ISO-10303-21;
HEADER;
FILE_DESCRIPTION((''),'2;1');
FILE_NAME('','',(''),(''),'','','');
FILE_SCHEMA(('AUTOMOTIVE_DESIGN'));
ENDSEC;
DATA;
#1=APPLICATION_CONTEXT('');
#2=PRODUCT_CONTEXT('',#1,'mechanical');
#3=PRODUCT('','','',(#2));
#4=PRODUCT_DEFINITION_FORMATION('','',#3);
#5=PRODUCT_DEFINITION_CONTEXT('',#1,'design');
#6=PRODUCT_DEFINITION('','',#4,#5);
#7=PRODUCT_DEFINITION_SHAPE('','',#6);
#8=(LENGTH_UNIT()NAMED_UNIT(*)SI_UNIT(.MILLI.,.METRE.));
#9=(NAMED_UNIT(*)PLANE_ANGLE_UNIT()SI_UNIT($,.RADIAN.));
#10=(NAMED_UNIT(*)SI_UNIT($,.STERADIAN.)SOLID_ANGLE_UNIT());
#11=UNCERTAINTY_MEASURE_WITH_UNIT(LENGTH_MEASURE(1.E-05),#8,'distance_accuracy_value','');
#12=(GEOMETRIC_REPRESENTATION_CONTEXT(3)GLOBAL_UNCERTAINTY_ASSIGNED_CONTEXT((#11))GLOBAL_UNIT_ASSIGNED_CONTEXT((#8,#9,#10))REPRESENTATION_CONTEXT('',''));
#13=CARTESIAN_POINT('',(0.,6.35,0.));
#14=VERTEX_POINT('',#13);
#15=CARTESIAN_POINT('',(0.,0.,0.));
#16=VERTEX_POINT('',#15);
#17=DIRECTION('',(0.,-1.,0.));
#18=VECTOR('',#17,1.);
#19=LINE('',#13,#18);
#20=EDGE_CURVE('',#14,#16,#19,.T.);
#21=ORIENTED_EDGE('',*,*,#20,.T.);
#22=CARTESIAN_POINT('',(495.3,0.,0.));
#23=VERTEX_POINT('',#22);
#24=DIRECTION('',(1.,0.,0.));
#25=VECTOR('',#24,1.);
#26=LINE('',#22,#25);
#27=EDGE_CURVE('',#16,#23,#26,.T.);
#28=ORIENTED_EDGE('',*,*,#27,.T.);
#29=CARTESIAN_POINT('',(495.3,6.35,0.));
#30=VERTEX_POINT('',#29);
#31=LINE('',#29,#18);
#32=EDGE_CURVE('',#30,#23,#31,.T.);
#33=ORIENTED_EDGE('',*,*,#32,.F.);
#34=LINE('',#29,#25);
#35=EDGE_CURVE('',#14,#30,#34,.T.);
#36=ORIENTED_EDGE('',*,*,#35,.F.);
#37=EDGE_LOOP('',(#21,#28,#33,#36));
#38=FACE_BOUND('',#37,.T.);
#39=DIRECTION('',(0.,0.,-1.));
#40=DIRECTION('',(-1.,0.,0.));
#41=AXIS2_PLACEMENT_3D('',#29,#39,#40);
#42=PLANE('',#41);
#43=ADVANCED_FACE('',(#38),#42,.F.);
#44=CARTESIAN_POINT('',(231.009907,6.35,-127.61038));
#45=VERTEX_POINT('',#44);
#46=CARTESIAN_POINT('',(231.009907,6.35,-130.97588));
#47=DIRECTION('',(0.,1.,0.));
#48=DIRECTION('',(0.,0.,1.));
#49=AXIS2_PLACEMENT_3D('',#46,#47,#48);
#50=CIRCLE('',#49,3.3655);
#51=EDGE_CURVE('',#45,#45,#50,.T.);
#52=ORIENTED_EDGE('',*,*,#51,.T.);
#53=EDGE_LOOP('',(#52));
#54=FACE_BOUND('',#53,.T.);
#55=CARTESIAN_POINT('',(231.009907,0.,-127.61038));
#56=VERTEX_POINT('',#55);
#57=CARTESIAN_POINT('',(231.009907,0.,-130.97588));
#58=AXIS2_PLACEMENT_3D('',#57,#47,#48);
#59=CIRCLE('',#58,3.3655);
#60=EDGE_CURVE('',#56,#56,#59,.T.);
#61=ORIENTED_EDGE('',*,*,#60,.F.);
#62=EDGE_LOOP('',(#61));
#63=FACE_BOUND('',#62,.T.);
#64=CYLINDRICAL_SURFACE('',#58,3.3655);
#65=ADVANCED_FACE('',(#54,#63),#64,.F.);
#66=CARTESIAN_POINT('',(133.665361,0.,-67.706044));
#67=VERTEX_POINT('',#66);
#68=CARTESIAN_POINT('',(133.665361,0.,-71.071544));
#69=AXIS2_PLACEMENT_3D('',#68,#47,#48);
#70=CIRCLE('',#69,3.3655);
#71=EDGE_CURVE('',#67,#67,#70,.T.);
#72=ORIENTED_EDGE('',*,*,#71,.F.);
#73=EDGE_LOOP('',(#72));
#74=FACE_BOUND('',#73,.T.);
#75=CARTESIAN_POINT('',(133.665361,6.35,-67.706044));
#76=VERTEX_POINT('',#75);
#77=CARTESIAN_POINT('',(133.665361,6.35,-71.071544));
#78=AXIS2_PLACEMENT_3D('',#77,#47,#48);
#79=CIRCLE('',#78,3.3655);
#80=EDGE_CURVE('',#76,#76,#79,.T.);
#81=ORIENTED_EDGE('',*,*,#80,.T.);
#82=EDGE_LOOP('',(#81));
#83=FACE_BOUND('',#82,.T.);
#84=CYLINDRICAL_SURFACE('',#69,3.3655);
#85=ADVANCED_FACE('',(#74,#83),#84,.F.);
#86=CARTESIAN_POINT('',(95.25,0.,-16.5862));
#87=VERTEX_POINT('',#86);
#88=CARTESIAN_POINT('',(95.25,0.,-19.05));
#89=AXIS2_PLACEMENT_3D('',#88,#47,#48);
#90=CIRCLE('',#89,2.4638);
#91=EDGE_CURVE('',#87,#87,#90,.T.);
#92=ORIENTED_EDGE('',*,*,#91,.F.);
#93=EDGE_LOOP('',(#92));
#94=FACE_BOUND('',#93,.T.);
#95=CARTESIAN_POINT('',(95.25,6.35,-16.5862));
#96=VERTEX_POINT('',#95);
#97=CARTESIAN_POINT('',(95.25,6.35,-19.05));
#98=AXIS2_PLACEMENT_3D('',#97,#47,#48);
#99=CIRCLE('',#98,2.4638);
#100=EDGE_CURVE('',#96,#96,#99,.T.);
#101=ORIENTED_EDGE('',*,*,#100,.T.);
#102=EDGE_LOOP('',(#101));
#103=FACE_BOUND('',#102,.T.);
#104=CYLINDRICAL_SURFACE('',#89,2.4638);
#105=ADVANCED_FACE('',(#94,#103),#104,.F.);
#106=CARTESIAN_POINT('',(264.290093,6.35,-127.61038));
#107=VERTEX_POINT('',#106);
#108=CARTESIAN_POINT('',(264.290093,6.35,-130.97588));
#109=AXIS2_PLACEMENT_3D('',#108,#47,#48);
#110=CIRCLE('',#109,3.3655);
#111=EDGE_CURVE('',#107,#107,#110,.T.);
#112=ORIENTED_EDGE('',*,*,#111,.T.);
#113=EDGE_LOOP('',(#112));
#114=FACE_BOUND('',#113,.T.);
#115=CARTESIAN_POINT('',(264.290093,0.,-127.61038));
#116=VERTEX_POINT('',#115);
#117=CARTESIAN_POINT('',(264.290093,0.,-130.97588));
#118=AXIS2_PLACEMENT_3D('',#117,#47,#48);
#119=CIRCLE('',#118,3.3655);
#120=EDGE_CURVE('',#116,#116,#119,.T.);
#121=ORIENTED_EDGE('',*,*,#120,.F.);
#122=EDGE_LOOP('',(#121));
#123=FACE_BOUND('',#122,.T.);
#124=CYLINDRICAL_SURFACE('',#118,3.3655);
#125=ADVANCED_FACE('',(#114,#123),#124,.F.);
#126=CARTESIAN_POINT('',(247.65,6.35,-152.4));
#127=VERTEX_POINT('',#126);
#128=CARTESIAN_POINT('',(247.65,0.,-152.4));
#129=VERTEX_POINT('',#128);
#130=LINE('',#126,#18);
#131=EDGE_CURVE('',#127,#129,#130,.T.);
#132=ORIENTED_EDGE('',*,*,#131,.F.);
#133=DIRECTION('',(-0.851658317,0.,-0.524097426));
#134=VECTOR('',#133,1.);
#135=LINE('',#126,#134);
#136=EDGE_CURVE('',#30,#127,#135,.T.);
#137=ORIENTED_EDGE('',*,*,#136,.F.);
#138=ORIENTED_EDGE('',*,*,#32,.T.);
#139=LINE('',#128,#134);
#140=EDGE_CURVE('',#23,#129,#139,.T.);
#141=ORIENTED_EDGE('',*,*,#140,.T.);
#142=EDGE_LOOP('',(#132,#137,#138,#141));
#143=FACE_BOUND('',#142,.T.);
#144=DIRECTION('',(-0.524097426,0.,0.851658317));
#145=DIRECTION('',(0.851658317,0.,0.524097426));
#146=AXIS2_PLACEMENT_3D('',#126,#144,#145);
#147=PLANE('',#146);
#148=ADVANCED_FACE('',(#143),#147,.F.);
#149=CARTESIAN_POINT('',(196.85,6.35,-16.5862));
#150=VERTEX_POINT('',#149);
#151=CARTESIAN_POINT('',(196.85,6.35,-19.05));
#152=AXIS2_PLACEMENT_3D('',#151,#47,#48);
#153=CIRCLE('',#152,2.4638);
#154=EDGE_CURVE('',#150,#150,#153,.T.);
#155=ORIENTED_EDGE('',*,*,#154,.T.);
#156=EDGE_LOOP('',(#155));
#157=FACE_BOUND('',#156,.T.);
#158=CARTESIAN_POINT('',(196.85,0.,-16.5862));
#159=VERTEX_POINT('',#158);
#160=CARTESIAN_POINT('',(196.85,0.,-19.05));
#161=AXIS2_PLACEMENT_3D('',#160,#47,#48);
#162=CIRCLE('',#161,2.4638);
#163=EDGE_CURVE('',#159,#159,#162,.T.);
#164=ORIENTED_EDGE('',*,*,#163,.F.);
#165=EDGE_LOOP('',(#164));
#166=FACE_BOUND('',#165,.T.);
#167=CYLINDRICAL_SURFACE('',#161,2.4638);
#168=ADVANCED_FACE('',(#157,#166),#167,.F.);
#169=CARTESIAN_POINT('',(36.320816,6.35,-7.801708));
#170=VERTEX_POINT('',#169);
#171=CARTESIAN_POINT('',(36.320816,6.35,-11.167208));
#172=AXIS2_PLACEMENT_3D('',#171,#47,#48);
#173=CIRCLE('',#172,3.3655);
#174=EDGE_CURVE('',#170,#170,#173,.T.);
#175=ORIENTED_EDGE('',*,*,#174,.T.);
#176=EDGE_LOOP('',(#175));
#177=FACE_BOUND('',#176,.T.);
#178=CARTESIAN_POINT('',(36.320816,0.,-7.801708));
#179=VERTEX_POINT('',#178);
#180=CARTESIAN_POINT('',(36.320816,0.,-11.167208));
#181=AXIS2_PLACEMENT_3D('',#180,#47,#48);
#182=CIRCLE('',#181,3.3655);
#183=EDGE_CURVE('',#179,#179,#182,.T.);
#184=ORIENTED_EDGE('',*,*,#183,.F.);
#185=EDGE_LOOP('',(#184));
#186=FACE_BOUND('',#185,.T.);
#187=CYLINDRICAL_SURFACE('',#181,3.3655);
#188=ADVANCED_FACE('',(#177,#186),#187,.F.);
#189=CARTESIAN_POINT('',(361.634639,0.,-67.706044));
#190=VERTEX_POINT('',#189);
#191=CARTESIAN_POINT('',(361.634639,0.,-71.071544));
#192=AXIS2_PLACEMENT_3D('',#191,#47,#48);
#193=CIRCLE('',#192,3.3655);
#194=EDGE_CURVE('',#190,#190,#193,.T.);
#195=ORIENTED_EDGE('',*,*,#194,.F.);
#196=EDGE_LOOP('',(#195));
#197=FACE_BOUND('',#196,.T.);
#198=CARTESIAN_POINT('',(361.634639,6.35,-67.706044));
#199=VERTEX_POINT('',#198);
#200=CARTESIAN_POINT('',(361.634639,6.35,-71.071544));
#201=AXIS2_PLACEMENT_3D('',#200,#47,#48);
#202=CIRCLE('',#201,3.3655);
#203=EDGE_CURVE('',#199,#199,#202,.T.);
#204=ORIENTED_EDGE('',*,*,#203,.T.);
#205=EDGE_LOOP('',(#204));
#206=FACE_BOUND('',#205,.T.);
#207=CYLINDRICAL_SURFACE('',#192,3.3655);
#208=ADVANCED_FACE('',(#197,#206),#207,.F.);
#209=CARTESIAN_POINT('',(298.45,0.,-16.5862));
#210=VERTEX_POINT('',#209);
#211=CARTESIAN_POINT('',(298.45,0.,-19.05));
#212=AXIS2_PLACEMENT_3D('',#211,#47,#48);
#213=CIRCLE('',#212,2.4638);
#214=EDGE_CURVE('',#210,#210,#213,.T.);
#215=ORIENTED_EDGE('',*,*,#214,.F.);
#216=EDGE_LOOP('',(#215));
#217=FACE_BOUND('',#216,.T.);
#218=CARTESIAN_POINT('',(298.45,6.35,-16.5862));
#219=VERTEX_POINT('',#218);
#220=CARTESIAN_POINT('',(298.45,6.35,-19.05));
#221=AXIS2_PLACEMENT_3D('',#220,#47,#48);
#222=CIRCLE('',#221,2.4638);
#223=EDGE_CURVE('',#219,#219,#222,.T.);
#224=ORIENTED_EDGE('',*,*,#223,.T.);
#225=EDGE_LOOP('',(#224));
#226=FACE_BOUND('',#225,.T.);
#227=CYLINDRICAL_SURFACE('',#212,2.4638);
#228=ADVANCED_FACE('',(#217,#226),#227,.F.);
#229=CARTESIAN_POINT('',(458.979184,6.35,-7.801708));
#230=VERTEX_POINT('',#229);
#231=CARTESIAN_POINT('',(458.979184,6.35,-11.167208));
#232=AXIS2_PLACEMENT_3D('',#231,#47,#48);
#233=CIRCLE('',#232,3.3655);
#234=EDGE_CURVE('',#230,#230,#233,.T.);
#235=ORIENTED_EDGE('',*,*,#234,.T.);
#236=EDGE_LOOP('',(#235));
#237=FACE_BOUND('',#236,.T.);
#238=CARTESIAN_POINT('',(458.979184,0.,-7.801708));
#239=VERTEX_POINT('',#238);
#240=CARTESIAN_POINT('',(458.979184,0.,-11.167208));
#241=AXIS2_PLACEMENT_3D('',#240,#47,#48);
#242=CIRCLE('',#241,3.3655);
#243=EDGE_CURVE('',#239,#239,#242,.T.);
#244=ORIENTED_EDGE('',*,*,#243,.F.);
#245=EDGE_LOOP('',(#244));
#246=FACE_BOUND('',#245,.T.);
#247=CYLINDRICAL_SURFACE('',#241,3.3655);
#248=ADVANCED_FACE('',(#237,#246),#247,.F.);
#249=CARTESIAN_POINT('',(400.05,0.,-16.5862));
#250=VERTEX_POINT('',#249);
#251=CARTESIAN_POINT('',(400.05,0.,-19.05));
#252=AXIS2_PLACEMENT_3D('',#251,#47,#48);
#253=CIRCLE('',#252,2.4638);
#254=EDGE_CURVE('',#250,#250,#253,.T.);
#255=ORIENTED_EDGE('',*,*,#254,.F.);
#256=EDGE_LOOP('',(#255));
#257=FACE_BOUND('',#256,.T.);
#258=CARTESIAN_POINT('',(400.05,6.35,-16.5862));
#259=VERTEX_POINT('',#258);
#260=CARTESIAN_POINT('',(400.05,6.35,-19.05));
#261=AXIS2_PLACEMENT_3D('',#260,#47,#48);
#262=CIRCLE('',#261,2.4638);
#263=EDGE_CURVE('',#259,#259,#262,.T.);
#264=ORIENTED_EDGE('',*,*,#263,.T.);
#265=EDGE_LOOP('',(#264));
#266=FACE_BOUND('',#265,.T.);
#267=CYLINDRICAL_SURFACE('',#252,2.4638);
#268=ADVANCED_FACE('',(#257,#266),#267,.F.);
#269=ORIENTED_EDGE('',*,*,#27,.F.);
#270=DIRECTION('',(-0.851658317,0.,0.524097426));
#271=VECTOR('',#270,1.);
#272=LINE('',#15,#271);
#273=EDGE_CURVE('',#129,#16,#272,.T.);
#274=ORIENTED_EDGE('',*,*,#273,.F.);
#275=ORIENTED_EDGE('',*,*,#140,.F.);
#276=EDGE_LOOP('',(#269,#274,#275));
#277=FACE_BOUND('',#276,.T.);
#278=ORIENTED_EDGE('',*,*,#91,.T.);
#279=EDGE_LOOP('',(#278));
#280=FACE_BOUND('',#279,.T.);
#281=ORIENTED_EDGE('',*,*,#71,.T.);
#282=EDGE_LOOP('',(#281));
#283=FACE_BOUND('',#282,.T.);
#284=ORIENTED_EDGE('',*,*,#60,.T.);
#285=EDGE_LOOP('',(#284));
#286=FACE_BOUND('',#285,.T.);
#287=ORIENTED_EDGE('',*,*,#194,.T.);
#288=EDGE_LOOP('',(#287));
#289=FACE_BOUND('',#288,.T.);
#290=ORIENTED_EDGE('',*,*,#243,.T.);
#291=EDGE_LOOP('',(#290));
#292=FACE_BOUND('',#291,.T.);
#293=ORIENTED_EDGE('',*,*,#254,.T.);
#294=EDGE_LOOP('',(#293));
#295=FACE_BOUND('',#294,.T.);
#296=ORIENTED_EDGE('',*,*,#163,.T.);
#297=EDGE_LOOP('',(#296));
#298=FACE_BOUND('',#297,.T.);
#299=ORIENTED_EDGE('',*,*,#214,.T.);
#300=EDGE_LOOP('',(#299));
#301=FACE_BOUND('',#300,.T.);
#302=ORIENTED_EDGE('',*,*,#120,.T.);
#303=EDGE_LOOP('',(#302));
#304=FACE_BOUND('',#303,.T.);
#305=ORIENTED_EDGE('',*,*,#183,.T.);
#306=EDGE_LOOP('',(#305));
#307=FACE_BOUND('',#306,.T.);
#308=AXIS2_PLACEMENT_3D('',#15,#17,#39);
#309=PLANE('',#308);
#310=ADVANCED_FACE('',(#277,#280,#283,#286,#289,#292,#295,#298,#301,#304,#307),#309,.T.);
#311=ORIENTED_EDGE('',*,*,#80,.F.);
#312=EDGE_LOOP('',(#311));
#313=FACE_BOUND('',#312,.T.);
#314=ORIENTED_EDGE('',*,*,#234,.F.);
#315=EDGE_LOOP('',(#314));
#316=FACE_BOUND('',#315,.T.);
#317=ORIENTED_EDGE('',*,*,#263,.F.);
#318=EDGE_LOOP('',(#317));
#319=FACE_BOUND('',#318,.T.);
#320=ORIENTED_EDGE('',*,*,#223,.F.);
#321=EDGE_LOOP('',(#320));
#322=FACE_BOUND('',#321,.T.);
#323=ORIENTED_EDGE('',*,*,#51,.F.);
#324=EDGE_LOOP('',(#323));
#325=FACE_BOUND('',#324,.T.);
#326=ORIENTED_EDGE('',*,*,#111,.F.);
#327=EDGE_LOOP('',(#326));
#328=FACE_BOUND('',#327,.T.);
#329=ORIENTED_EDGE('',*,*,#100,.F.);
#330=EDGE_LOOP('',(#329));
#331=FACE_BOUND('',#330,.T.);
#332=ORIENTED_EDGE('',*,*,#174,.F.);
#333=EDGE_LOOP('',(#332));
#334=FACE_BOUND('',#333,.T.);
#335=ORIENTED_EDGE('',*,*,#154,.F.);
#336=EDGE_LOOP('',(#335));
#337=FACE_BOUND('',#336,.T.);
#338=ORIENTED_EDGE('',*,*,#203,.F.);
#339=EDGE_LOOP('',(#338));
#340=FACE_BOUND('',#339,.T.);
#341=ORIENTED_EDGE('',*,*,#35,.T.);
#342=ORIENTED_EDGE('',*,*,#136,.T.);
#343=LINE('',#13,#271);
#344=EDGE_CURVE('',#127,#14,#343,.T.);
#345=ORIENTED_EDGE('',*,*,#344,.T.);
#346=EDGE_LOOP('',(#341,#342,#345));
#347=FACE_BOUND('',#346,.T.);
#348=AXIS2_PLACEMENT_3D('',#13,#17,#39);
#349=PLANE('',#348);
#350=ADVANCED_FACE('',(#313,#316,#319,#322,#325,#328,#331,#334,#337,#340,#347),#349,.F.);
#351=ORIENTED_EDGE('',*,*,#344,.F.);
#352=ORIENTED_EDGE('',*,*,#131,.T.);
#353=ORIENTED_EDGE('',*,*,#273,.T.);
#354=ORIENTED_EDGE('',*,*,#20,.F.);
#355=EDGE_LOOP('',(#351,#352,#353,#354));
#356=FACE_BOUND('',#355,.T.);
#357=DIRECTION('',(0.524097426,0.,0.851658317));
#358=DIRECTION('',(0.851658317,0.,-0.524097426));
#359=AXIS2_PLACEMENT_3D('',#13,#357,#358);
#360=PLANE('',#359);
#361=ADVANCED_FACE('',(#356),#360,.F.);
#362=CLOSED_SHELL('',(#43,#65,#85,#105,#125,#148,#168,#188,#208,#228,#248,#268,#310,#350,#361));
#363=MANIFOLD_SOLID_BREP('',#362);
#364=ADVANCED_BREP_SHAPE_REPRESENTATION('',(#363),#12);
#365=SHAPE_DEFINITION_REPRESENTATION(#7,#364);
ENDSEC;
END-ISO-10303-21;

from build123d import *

# Parameters (mm, degrees)
BOSS_EXTRUDE1_DEPTH = 6.35
SKETCH2_R           = 2.4638
CUT_EXTRUDE1_DEPTH  = 7.35
LPATTERN1_COUNT     = 4
LPATTERN1_PITCH     = 101.6
SKETCH3_R           = 3.3655
CUT_EXTRUDE2_DEPTH  = 7.35


with BuildPart() as part:
    # Sketch1 → Boss-Extrude1 (new body)
    with BuildSketch(Plane(origin=(0, 0, 0), x_dir=(1, 0, 0), z_dir=(0, 1, 0))):
        Polygon((0, 0), (247.65, 152.4), (495.3, 0), align=None)
    extrude(amount=BOSS_EXTRUDE1_DEPTH)

    # Sketch2 → Cut-Extrude1 (cut, through all)
    with BuildSketch(Plane(origin=(0, 6.35, 0), x_dir=(1, 0, 0), z_dir=(0, 1, 0))):
        with Locations((95.25, 19.05)):
            Circle(SKETCH2_R)
    cut_extrude1 = extrude(amount=-CUT_EXTRUDE1_DEPTH, mode=Mode.SUBTRACT)

    # LPattern1: Cut-Extrude1 ×4
    with Locations(*[(i * LPATTERN1_PITCH, 0, 0) for i in range(1, LPATTERN1_COUNT)]):
        add(cut_extrude1, mode=Mode.SUBTRACT)

    # Sketch3 → Cut-Extrude2 (cut, through all)
    with BuildSketch(Plane(origin=(0, 6.35, 0), x_dir=(1, 0, 0), z_dir=(0, 1, 0))):
        with Locations((231.009906735, 130.975879922)):
            Circle(SKETCH3_R)
        with Locations((133.665361136, 71.071544168)):
            Circle(SKETCH3_R)
        with Locations((36.320815536, 11.167208415)):
            Circle(SKETCH3_R)
        with Locations((264.290093265, 130.975879922)):
            Circle(SKETCH3_R)
        with Locations((361.634638864, 71.071544168)):
            Circle(SKETCH3_R)
        with Locations((458.979184464, 11.167208415)):
            Circle(SKETCH3_R)
    extrude(amount=-CUT_EXTRUDE2_DEPTH, mode=Mode.SUBTRACT)


solid = part.part
